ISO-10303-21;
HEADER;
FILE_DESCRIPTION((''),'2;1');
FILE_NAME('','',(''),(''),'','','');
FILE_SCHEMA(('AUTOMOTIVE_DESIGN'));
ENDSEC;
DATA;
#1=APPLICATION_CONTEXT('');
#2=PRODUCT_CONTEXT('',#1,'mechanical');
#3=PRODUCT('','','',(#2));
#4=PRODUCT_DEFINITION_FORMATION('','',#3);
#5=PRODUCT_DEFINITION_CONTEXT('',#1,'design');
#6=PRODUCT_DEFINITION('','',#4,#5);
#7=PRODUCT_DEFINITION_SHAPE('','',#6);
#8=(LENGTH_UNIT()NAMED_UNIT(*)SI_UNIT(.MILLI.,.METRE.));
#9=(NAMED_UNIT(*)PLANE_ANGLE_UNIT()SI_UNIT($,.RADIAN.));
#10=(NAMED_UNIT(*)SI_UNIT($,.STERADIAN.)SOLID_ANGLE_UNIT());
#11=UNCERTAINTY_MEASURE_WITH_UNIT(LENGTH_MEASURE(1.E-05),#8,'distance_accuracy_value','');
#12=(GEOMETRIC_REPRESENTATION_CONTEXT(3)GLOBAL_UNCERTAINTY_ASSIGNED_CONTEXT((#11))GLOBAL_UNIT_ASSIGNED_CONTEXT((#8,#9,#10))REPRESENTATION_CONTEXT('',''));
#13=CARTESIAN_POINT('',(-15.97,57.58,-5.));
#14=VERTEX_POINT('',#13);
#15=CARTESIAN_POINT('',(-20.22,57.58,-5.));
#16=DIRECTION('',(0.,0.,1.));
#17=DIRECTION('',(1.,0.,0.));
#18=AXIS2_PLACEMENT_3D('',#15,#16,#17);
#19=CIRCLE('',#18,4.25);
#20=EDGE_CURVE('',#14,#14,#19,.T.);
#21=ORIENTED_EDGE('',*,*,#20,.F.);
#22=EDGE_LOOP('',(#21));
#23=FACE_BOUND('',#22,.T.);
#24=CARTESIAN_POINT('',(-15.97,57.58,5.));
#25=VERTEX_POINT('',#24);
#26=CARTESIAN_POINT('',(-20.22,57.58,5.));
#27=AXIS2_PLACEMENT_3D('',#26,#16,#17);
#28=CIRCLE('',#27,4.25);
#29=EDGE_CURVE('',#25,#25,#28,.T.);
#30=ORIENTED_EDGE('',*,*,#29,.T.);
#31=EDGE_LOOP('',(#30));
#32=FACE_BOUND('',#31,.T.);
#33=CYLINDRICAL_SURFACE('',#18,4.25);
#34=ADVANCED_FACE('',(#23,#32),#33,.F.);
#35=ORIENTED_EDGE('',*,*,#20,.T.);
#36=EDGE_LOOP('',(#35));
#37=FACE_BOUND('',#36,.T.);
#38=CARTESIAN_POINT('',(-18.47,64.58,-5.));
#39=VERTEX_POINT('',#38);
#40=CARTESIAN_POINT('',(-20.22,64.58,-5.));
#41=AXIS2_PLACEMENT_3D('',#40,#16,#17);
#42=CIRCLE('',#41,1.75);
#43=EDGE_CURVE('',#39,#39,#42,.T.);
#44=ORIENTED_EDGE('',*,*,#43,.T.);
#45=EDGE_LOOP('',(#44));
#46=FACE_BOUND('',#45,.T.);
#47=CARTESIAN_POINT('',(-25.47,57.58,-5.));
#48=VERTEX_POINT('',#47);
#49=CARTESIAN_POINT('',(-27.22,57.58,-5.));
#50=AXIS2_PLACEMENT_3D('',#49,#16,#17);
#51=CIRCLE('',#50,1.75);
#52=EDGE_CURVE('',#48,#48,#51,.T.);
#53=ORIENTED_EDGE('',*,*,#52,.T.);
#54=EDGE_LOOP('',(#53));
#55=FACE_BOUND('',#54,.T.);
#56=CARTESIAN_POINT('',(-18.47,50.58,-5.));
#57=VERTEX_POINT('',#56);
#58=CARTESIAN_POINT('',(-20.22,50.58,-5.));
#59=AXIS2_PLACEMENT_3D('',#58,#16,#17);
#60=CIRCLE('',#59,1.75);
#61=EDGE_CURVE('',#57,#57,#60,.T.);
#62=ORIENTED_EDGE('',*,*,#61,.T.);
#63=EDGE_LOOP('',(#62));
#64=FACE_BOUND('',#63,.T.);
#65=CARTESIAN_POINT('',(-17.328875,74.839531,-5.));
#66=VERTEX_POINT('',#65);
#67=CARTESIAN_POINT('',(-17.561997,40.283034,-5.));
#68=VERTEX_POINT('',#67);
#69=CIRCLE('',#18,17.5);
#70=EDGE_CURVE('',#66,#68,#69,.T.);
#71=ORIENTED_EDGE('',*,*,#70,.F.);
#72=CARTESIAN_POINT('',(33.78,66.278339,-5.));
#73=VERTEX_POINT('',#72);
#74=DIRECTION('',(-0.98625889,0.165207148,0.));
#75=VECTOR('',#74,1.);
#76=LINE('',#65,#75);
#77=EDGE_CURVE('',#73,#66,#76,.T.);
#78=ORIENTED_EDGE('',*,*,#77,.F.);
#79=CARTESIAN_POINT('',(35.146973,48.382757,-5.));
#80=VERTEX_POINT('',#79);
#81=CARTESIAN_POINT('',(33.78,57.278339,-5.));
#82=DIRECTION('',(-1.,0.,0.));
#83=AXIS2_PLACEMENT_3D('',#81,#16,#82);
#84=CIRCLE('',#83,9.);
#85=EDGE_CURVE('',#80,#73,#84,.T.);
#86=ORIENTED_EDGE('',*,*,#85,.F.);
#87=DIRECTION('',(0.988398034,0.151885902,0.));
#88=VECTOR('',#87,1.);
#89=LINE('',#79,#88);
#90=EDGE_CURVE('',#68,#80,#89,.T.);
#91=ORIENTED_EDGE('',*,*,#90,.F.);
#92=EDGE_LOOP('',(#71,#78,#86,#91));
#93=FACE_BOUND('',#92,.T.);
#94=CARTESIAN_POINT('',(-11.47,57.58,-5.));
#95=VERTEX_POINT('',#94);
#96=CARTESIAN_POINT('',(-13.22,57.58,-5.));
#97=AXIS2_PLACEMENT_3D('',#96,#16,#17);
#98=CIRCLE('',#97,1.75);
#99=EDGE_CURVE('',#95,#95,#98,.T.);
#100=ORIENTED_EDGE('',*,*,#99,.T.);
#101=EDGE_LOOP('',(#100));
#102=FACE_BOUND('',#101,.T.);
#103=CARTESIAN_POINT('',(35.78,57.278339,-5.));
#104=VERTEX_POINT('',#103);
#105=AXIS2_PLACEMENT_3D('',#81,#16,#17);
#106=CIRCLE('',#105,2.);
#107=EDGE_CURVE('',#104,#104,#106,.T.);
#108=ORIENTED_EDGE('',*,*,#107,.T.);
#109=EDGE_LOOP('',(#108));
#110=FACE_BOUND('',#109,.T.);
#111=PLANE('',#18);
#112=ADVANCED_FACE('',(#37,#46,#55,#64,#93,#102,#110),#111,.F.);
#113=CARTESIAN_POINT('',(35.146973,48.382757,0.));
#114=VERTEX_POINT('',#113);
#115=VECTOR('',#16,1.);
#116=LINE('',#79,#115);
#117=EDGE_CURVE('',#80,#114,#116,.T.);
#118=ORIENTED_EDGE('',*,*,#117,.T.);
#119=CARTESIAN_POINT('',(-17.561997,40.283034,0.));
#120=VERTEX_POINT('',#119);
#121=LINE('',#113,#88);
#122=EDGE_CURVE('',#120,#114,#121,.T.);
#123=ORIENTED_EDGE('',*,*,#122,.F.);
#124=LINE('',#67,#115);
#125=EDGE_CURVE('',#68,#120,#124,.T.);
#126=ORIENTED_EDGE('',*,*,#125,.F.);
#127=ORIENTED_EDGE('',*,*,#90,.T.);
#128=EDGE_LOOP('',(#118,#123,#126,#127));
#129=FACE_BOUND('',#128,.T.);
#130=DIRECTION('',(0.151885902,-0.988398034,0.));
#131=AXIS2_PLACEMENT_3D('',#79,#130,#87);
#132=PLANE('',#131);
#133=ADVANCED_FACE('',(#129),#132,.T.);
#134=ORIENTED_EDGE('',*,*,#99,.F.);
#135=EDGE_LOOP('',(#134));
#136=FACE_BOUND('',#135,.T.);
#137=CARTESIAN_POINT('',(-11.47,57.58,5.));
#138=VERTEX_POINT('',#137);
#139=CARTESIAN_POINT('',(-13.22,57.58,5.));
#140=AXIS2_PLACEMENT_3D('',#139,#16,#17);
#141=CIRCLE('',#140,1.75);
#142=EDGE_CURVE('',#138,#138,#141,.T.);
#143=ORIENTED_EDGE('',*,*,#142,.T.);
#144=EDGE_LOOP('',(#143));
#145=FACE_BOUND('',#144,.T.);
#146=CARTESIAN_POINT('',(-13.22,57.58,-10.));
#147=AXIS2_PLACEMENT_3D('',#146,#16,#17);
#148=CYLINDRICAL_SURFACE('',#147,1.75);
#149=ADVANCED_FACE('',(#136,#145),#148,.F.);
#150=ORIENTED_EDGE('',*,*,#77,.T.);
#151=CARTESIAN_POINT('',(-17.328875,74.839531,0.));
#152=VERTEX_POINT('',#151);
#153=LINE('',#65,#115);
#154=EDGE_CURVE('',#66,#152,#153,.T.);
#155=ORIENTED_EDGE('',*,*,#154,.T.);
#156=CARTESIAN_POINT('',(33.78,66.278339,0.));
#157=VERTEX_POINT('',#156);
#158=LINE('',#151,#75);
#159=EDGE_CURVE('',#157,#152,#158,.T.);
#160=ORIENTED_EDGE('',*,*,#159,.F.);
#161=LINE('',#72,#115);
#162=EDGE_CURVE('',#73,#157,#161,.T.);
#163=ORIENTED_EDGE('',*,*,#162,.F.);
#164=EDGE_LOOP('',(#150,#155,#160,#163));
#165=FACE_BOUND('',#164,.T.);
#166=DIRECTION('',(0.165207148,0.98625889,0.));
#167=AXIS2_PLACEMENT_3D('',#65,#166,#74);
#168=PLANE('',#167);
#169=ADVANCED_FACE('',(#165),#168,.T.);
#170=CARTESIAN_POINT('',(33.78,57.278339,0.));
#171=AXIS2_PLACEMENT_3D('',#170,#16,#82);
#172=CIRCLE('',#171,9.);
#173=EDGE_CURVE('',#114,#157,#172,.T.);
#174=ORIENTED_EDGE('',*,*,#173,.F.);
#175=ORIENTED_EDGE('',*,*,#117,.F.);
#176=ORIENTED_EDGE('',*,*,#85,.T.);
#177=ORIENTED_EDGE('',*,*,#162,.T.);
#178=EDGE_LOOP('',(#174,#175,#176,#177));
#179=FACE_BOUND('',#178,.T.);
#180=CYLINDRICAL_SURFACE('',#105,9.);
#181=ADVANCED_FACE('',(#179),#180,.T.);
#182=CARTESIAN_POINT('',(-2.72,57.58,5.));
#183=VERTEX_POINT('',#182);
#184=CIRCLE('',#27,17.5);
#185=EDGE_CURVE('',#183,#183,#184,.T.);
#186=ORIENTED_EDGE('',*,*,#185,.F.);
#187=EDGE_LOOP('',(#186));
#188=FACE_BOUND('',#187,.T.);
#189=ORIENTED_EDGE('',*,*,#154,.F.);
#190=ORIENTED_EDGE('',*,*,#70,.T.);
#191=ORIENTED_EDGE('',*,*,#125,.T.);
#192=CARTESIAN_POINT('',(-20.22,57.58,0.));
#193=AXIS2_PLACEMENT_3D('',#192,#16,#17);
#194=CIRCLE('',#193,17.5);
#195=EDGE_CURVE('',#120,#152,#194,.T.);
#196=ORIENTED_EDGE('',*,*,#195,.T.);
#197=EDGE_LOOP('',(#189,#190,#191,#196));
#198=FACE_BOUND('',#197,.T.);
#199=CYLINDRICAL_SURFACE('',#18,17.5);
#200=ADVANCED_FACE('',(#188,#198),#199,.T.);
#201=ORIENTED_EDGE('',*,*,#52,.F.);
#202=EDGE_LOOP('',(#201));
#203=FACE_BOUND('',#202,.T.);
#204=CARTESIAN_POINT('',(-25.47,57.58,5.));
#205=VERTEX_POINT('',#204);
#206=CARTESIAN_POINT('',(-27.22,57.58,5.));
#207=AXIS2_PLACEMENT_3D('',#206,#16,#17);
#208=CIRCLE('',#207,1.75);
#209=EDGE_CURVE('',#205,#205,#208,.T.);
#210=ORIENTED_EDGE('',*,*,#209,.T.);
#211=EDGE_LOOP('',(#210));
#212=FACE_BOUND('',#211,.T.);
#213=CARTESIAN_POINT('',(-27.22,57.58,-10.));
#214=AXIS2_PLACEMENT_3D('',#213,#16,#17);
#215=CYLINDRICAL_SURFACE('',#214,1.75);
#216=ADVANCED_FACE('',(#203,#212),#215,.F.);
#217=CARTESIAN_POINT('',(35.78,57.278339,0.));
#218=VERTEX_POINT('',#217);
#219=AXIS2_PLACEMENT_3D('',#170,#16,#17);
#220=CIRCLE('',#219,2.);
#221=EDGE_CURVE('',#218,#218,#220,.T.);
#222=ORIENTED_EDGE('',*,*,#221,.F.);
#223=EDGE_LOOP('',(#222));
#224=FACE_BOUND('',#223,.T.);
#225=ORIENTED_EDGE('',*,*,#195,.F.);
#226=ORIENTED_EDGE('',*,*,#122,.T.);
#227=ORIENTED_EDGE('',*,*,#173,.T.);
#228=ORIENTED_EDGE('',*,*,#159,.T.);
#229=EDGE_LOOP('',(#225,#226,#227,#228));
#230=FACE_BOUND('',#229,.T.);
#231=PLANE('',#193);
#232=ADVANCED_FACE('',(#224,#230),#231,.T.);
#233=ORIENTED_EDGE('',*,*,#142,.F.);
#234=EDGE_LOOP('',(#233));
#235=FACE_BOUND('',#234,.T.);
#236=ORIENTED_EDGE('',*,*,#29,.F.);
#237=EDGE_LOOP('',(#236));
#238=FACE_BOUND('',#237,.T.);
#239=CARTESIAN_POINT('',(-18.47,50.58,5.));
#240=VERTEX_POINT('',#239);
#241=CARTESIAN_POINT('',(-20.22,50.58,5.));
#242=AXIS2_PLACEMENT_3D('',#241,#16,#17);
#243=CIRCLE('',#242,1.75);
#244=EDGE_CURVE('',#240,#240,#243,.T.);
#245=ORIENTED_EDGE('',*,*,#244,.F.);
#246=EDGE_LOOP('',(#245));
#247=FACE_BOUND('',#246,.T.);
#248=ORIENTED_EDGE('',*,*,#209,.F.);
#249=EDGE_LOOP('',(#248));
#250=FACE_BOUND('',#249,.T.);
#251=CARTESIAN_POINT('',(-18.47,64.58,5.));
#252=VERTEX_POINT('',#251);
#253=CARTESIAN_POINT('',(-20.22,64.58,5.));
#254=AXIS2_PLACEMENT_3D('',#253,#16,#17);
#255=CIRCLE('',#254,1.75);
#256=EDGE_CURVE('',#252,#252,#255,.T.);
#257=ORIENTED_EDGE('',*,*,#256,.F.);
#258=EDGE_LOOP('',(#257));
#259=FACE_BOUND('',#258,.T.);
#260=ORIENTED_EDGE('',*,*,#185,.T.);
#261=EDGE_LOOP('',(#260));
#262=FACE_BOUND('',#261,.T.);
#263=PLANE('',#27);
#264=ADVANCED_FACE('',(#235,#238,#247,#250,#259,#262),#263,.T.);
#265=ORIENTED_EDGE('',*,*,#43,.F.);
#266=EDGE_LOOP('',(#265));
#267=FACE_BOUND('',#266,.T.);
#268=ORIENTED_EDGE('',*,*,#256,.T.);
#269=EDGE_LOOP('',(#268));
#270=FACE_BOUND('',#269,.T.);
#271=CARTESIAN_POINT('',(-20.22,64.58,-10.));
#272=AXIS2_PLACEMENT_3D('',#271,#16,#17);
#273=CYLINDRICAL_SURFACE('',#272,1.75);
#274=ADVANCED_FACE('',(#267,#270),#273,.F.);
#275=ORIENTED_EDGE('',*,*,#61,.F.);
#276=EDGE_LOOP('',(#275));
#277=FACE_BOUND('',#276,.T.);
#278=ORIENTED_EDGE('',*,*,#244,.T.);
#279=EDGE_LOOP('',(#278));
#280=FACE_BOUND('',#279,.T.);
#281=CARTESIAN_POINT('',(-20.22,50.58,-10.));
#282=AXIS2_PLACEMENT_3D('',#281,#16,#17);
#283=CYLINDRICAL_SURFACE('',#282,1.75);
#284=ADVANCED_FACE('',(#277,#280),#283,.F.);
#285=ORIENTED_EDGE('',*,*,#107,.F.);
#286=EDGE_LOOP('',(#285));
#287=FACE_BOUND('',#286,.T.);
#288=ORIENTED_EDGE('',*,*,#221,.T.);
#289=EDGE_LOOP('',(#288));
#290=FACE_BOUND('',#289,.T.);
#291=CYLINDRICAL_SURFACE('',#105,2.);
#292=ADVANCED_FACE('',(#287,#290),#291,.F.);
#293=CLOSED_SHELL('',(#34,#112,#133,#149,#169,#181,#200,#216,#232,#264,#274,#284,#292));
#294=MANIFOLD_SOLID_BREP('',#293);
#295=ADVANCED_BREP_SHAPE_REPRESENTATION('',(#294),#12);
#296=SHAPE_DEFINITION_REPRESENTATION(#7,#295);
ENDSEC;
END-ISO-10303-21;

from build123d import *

# Parameters (mm, degrees)
SKETCH2_R           = 4.25
SKETCH2_R_2         = 2
BOSS_EXTRUDE1_DEPTH = 5
SKETCH_1_R          = 1.75
CUT_EXTRUDE_1_DEPTH = 10
EXTRUDE_START       = 5
SKETCH_2_R          = 17.5
SKETCH_2_R_2        = 1.75
SKETCH_2_R_3        = 4.25
EXTRUDE_1_DEPTH     = 5


with BuildPart() as part:
    # Sketch2 → Boss-Extrude1 (new body)
    with BuildSketch(Plane.XY):
        with BuildLine():
            Line((-17.328874887, 74.839530577), (33.78000003, 66.278338859))
            ThreePointArc((33.78000003, 66.278338859), (42.753857637, 57.963816533), (35.14697315, 48.382756557))
            Line((35.14697315, 48.382756557), (-17.561996681, 40.283034413))
            ThreePointArc((-17.561996681, 40.283034413), (-37.719601772, 57.698054173), (-17.328874887, 74.839530577))
        make_face()
        with Locations((-20.21999997, 57.58)):
            Circle(SKETCH2_R, mode=Mode.SUBTRACT)
        with Locations((33.78000003, 57.278338859)):
            Circle(SKETCH2_R_2, mode=Mode.SUBTRACT)
    extrude(amount=-BOSS_EXTRUDE1_DEPTH)

    # 草图1 → 切除-拉伸1 (cut)
    with BuildSketch(Plane.XY):
        with Locations((-13.21999997, 57.58)):
            Circle(SKETCH_1_R)
        with Locations((-27.21999997, 57.58)):
            Circle(SKETCH_1_R)
        with Locations((-20.21999997, 64.58)):
            Circle(SKETCH_1_R)
        with Locations((-20.21999997, 50.58)):
            Circle(SKETCH_1_R)
    extrude(amount=-CUT_EXTRUDE_1_DEPTH, mode=Mode.SUBTRACT)

    # 草图2 → 凸台-拉伸1 (add)
    with BuildSketch(Plane.XY.offset(EXTRUDE_START)):
        with Locations((-20.21999997, 57.58)):
            Circle(SKETCH_2_R)
        with Locations((-27.21999997, 57.58)):
            Circle(SKETCH_2_R_2, mode=Mode.SUBTRACT)
        with Locations((-20.21999997, 50.58)):
            Circle(SKETCH_2_R_2, mode=Mode.SUBTRACT)
        with Locations((-13.21999997, 57.58)):
            Circle(SKETCH_2_R_2, mode=Mode.SUBTRACT)
        with Locations((-20.21999997, 64.58)):
            Circle(SKETCH_2_R_2, mode=Mode.SUBTRACT)
        with Locations((-20.21999997, 57.58)):
            Circle(SKETCH_2_R_3, mode=Mode.SUBTRACT)
    extrude(amount=-EXTRUDE_1_DEPTH)


solid = part.part
